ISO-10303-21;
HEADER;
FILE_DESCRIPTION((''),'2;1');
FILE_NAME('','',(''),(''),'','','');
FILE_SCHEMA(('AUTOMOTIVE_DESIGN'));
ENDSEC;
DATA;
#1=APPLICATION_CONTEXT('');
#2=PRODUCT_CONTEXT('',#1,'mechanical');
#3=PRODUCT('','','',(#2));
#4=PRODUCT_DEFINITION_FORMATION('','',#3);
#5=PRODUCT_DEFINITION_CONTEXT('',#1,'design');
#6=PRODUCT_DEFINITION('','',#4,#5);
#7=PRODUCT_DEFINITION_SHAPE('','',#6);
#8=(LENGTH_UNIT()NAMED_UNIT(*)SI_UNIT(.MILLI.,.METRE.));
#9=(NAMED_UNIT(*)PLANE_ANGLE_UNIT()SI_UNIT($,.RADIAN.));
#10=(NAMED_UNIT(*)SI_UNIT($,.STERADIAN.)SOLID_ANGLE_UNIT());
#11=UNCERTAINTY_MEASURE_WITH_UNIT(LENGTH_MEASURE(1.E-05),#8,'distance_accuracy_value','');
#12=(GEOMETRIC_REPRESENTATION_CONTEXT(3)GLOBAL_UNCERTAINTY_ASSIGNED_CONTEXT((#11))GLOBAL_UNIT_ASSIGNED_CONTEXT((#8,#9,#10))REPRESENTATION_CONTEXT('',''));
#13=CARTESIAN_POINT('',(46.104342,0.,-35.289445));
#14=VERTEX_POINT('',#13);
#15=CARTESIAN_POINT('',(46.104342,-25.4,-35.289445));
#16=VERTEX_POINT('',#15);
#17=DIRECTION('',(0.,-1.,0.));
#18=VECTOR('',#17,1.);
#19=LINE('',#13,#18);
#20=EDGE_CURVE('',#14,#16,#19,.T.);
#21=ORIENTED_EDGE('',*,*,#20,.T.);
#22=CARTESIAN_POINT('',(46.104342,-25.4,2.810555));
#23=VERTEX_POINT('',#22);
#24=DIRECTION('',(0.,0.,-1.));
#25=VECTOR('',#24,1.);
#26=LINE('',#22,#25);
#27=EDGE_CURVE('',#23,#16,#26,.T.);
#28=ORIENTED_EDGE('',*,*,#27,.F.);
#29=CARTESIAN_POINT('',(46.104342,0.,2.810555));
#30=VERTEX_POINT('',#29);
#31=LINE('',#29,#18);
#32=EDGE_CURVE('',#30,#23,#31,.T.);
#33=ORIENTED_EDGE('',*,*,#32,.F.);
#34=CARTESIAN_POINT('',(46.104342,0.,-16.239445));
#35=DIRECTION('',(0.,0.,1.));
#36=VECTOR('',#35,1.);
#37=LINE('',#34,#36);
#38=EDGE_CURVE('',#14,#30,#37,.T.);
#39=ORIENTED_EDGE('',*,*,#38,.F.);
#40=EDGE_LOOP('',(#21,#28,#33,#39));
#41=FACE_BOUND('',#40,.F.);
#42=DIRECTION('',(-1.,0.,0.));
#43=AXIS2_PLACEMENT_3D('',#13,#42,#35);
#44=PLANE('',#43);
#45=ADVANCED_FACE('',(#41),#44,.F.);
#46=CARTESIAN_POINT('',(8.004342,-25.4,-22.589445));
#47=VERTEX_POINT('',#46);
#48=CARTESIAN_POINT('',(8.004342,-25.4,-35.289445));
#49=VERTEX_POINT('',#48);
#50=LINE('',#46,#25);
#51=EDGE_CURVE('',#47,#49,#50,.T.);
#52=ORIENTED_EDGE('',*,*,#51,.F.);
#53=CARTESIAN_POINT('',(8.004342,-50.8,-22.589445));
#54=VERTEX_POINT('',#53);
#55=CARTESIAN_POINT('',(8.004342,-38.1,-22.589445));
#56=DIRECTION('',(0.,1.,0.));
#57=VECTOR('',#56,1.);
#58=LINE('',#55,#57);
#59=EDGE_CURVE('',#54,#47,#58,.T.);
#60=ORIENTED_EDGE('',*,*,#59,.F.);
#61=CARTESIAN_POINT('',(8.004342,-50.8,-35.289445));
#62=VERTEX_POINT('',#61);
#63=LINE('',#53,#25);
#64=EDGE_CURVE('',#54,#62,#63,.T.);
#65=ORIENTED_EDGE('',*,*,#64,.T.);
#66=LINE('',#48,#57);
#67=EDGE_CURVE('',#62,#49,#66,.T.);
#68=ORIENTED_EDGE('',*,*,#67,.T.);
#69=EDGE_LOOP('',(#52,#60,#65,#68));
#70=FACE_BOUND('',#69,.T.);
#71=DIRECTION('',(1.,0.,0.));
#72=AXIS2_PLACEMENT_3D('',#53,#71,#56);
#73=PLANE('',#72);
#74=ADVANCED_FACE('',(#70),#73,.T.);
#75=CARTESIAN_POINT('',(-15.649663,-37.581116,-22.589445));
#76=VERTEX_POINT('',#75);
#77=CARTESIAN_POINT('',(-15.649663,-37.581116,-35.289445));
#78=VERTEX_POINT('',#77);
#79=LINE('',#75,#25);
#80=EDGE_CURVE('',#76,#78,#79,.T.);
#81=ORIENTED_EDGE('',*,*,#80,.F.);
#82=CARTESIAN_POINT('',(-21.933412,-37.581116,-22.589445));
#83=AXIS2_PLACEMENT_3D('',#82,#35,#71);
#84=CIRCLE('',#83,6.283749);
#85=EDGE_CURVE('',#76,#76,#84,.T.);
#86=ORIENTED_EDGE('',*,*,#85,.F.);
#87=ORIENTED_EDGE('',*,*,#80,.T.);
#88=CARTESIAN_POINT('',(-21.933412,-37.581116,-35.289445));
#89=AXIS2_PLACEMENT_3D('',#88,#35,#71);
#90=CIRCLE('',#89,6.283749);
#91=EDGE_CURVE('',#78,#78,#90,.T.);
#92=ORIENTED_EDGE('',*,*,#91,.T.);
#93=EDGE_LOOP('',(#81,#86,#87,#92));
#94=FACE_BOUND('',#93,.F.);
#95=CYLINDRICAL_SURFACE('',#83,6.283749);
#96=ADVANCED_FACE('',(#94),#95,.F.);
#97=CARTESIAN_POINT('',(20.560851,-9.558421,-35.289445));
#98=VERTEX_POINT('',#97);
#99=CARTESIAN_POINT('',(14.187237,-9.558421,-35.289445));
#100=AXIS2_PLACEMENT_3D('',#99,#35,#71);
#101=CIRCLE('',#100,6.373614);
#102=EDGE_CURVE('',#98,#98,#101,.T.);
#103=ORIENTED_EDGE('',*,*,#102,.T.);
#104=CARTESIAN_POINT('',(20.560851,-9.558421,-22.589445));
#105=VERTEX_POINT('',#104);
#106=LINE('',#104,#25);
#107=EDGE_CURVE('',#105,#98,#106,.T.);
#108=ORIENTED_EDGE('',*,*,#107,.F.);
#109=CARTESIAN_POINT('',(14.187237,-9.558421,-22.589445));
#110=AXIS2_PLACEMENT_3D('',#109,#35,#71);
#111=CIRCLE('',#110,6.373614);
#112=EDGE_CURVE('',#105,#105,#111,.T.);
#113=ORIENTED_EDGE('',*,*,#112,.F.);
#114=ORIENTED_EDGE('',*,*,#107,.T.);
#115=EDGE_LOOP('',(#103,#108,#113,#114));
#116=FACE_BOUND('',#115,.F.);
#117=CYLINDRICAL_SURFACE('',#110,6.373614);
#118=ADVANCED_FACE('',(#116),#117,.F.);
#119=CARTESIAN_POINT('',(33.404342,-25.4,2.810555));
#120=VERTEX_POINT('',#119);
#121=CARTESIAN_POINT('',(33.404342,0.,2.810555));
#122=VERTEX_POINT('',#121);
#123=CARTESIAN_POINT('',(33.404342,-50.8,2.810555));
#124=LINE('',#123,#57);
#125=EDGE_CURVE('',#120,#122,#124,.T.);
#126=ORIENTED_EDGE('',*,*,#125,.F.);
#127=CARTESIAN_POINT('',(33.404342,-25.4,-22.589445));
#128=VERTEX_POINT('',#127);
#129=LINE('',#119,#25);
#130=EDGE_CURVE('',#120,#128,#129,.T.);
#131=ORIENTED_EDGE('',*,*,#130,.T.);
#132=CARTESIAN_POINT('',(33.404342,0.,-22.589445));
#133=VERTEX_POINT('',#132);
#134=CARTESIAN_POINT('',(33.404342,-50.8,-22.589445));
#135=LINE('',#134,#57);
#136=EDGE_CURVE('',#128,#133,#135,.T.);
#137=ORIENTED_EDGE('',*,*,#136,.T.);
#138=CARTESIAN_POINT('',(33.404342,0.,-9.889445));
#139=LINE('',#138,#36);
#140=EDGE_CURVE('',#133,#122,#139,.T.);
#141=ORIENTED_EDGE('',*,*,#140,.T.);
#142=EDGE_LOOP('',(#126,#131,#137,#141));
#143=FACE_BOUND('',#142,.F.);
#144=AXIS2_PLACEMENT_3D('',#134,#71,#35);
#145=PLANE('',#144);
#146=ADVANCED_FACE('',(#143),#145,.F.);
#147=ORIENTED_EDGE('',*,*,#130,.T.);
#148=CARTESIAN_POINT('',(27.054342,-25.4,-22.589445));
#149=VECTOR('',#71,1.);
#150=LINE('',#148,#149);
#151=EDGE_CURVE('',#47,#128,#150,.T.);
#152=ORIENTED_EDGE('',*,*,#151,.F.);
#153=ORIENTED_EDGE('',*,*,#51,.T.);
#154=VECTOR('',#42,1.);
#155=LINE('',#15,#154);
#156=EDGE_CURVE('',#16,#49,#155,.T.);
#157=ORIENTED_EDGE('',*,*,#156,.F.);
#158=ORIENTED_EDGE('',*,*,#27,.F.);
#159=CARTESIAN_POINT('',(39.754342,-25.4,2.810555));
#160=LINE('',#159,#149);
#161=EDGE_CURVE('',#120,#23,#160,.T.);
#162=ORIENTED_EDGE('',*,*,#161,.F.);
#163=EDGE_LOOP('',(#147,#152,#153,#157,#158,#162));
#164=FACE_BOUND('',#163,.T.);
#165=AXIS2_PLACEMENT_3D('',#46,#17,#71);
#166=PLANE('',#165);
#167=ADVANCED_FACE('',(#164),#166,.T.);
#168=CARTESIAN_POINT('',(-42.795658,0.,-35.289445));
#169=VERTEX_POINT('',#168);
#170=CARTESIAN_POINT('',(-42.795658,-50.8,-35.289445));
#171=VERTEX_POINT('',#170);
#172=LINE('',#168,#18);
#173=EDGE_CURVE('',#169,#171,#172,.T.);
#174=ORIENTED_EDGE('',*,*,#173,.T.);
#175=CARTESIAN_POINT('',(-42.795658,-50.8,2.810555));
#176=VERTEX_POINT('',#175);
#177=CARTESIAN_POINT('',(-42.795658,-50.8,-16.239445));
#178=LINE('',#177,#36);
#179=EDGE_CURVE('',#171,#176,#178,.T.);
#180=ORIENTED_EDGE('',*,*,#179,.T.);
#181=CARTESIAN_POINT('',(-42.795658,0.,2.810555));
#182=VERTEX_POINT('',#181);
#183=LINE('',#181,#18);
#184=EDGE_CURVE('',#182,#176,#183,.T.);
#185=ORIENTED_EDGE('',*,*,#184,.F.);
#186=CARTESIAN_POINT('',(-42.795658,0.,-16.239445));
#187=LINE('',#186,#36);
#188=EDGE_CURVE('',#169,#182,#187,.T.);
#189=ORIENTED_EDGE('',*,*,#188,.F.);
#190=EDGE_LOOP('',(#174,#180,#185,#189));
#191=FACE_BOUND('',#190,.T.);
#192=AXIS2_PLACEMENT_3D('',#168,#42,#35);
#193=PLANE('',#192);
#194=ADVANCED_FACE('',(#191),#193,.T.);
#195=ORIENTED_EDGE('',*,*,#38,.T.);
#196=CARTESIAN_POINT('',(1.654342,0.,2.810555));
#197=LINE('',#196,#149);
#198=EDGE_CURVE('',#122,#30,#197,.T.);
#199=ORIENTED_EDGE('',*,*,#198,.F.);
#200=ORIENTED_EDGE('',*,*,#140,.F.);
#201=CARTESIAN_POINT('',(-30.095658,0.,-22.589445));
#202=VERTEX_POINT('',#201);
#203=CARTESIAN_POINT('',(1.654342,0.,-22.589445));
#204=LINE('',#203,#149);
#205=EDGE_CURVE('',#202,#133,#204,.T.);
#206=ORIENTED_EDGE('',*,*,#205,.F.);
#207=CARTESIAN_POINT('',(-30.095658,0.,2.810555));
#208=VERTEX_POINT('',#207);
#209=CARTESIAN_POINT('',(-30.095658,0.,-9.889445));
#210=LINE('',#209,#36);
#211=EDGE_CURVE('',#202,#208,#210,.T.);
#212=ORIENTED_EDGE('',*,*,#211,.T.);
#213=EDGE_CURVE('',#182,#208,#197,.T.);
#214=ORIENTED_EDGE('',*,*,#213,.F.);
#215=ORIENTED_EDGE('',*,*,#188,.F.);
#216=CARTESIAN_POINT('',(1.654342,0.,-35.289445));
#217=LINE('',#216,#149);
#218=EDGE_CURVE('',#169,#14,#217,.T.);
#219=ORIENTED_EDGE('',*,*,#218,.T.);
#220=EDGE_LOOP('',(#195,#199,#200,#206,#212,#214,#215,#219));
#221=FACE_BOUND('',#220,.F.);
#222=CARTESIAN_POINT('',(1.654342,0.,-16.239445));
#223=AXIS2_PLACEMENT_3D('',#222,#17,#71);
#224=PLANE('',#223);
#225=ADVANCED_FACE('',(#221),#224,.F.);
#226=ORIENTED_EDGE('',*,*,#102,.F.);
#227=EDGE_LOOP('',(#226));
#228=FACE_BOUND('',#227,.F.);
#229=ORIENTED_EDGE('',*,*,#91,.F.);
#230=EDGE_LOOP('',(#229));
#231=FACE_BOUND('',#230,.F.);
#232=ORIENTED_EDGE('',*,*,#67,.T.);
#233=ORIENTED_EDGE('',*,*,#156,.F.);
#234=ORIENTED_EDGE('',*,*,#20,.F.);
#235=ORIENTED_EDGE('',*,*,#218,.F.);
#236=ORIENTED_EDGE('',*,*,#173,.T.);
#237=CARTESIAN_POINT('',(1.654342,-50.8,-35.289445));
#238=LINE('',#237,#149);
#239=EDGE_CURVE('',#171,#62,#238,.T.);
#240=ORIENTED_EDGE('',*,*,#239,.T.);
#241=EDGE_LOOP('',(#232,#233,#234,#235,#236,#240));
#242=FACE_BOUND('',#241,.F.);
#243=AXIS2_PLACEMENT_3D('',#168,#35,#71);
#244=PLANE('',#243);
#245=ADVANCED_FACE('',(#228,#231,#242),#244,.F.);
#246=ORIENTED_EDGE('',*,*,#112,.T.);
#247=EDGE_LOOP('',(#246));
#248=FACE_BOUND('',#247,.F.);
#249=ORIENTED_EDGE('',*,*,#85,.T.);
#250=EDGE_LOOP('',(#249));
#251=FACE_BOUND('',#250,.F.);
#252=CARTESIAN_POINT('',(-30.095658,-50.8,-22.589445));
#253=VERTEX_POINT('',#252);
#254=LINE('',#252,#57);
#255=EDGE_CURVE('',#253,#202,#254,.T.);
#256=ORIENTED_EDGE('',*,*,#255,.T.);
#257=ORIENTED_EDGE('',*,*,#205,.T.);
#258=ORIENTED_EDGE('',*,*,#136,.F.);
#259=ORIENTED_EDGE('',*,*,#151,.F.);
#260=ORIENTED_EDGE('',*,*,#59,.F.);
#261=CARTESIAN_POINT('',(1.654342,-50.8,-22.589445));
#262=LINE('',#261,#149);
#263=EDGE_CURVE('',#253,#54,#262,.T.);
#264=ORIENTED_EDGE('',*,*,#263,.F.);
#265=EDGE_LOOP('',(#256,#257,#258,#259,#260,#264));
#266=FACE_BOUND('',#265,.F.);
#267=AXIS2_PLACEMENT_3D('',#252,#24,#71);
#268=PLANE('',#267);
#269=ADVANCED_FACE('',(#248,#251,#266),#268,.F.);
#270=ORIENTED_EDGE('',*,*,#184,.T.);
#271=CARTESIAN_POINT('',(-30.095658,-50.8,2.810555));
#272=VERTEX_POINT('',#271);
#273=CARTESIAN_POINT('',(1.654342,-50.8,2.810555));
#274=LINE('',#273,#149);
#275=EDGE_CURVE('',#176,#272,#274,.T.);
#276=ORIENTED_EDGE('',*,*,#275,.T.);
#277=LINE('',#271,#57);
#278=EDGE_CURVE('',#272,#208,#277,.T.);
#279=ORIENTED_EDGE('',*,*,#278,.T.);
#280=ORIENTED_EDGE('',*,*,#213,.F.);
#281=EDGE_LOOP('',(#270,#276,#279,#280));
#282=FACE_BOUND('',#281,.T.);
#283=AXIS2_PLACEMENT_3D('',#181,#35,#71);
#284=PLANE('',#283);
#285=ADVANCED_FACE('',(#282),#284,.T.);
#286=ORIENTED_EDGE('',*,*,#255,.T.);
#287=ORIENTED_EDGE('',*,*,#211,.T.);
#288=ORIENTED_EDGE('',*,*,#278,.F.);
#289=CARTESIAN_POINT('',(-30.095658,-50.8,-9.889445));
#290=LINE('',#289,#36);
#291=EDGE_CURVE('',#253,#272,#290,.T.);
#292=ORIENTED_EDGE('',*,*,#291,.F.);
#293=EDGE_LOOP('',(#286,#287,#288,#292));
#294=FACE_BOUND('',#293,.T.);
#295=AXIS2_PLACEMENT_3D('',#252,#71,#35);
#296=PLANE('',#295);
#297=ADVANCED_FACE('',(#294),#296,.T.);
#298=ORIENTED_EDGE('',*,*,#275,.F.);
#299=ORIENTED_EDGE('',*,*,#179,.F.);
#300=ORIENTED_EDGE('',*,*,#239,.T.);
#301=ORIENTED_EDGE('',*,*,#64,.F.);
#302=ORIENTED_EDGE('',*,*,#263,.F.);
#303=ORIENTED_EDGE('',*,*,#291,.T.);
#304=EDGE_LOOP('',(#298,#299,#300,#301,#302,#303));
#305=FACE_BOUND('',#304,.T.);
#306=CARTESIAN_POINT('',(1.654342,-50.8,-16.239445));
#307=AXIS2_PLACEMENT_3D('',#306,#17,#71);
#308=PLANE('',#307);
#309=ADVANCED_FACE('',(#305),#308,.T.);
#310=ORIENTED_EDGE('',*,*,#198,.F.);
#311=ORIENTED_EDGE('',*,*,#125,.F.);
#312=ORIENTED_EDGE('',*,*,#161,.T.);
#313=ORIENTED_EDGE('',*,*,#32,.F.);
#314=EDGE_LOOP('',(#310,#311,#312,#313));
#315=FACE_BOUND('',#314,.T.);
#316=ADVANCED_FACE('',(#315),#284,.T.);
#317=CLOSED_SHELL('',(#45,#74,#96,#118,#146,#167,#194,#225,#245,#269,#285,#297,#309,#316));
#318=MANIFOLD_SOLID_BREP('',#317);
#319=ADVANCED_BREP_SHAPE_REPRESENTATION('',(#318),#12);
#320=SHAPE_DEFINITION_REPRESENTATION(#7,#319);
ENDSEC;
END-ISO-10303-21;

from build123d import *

# Parameters (mm, degrees)
F0_W      = 88.9
F0_H      = 38.1
F1_DEPTH  = 50.8
F2_W      = 63.5
F2_H      = 25.4
F3_DEPTH  = 50.8
F4_W      = 38.1
F4_H      = 25.4
F5_DEPTH  = 38.1
F6_W      = 12.7
F6_H      = 25.4
F7_DEPTH  = 38.1
F8_R      = 6.373614
F9_DEPTH  = 25.4
F10_R     = 6.283749
F11_DEPTH = 25.4


with BuildPart() as f1:
    # F0 (on Front) → F1 (new body)
    with BuildSketch(Plane.XZ):
        with Locations((1.654342, -16.239445)):
            Rectangle(F0_W, F0_H)
    extrude(amount=F1_DEPTH)

    # F2 (on face) → F3 (cut)
    with BuildSketch(Plane.XZ.offset(50.8)):
        with Locations((1.654342, -9.889445)):
            Rectangle(F2_W, F2_H)
    extrude(amount=-F3_DEPTH, mode=Mode.SUBTRACT)

    # F4 (on face) → F5 (cut)
    with BuildSketch(Plane.XY.offset(-22.589445)):
        with Locations((27.054342, -38.1)):
            Rectangle(F4_W, F4_H)
    extrude(amount=-F5_DEPTH, mode=Mode.SUBTRACT)

    # F6 (on face) → F7 (cut)
    with BuildSketch(Plane.XY.offset(2.810555)):
        with Locations((39.754342, -38.1)):
            Rectangle(F6_W, F6_H)
    extrude(amount=-F7_DEPTH, mode=Mode.SUBTRACT)

    # F8 (on face) → F9 (cut)
    with BuildSketch(Plane.XY.offset(-22.589445)):
        with Locations((14.187237, -9.558421)):
            Circle(F8_R)
    extrude(amount=-F9_DEPTH, mode=Mode.SUBTRACT)

    # F10 (on face) → F11 (cut)
    with BuildSketch(Plane.XY.offset(-22.589445)):
        with Locations((-21.933412, -37.581116)):
            Circle(F10_R)
    extrude(amount=-F11_DEPTH, mode=Mode.SUBTRACT)


solid = f1.part
